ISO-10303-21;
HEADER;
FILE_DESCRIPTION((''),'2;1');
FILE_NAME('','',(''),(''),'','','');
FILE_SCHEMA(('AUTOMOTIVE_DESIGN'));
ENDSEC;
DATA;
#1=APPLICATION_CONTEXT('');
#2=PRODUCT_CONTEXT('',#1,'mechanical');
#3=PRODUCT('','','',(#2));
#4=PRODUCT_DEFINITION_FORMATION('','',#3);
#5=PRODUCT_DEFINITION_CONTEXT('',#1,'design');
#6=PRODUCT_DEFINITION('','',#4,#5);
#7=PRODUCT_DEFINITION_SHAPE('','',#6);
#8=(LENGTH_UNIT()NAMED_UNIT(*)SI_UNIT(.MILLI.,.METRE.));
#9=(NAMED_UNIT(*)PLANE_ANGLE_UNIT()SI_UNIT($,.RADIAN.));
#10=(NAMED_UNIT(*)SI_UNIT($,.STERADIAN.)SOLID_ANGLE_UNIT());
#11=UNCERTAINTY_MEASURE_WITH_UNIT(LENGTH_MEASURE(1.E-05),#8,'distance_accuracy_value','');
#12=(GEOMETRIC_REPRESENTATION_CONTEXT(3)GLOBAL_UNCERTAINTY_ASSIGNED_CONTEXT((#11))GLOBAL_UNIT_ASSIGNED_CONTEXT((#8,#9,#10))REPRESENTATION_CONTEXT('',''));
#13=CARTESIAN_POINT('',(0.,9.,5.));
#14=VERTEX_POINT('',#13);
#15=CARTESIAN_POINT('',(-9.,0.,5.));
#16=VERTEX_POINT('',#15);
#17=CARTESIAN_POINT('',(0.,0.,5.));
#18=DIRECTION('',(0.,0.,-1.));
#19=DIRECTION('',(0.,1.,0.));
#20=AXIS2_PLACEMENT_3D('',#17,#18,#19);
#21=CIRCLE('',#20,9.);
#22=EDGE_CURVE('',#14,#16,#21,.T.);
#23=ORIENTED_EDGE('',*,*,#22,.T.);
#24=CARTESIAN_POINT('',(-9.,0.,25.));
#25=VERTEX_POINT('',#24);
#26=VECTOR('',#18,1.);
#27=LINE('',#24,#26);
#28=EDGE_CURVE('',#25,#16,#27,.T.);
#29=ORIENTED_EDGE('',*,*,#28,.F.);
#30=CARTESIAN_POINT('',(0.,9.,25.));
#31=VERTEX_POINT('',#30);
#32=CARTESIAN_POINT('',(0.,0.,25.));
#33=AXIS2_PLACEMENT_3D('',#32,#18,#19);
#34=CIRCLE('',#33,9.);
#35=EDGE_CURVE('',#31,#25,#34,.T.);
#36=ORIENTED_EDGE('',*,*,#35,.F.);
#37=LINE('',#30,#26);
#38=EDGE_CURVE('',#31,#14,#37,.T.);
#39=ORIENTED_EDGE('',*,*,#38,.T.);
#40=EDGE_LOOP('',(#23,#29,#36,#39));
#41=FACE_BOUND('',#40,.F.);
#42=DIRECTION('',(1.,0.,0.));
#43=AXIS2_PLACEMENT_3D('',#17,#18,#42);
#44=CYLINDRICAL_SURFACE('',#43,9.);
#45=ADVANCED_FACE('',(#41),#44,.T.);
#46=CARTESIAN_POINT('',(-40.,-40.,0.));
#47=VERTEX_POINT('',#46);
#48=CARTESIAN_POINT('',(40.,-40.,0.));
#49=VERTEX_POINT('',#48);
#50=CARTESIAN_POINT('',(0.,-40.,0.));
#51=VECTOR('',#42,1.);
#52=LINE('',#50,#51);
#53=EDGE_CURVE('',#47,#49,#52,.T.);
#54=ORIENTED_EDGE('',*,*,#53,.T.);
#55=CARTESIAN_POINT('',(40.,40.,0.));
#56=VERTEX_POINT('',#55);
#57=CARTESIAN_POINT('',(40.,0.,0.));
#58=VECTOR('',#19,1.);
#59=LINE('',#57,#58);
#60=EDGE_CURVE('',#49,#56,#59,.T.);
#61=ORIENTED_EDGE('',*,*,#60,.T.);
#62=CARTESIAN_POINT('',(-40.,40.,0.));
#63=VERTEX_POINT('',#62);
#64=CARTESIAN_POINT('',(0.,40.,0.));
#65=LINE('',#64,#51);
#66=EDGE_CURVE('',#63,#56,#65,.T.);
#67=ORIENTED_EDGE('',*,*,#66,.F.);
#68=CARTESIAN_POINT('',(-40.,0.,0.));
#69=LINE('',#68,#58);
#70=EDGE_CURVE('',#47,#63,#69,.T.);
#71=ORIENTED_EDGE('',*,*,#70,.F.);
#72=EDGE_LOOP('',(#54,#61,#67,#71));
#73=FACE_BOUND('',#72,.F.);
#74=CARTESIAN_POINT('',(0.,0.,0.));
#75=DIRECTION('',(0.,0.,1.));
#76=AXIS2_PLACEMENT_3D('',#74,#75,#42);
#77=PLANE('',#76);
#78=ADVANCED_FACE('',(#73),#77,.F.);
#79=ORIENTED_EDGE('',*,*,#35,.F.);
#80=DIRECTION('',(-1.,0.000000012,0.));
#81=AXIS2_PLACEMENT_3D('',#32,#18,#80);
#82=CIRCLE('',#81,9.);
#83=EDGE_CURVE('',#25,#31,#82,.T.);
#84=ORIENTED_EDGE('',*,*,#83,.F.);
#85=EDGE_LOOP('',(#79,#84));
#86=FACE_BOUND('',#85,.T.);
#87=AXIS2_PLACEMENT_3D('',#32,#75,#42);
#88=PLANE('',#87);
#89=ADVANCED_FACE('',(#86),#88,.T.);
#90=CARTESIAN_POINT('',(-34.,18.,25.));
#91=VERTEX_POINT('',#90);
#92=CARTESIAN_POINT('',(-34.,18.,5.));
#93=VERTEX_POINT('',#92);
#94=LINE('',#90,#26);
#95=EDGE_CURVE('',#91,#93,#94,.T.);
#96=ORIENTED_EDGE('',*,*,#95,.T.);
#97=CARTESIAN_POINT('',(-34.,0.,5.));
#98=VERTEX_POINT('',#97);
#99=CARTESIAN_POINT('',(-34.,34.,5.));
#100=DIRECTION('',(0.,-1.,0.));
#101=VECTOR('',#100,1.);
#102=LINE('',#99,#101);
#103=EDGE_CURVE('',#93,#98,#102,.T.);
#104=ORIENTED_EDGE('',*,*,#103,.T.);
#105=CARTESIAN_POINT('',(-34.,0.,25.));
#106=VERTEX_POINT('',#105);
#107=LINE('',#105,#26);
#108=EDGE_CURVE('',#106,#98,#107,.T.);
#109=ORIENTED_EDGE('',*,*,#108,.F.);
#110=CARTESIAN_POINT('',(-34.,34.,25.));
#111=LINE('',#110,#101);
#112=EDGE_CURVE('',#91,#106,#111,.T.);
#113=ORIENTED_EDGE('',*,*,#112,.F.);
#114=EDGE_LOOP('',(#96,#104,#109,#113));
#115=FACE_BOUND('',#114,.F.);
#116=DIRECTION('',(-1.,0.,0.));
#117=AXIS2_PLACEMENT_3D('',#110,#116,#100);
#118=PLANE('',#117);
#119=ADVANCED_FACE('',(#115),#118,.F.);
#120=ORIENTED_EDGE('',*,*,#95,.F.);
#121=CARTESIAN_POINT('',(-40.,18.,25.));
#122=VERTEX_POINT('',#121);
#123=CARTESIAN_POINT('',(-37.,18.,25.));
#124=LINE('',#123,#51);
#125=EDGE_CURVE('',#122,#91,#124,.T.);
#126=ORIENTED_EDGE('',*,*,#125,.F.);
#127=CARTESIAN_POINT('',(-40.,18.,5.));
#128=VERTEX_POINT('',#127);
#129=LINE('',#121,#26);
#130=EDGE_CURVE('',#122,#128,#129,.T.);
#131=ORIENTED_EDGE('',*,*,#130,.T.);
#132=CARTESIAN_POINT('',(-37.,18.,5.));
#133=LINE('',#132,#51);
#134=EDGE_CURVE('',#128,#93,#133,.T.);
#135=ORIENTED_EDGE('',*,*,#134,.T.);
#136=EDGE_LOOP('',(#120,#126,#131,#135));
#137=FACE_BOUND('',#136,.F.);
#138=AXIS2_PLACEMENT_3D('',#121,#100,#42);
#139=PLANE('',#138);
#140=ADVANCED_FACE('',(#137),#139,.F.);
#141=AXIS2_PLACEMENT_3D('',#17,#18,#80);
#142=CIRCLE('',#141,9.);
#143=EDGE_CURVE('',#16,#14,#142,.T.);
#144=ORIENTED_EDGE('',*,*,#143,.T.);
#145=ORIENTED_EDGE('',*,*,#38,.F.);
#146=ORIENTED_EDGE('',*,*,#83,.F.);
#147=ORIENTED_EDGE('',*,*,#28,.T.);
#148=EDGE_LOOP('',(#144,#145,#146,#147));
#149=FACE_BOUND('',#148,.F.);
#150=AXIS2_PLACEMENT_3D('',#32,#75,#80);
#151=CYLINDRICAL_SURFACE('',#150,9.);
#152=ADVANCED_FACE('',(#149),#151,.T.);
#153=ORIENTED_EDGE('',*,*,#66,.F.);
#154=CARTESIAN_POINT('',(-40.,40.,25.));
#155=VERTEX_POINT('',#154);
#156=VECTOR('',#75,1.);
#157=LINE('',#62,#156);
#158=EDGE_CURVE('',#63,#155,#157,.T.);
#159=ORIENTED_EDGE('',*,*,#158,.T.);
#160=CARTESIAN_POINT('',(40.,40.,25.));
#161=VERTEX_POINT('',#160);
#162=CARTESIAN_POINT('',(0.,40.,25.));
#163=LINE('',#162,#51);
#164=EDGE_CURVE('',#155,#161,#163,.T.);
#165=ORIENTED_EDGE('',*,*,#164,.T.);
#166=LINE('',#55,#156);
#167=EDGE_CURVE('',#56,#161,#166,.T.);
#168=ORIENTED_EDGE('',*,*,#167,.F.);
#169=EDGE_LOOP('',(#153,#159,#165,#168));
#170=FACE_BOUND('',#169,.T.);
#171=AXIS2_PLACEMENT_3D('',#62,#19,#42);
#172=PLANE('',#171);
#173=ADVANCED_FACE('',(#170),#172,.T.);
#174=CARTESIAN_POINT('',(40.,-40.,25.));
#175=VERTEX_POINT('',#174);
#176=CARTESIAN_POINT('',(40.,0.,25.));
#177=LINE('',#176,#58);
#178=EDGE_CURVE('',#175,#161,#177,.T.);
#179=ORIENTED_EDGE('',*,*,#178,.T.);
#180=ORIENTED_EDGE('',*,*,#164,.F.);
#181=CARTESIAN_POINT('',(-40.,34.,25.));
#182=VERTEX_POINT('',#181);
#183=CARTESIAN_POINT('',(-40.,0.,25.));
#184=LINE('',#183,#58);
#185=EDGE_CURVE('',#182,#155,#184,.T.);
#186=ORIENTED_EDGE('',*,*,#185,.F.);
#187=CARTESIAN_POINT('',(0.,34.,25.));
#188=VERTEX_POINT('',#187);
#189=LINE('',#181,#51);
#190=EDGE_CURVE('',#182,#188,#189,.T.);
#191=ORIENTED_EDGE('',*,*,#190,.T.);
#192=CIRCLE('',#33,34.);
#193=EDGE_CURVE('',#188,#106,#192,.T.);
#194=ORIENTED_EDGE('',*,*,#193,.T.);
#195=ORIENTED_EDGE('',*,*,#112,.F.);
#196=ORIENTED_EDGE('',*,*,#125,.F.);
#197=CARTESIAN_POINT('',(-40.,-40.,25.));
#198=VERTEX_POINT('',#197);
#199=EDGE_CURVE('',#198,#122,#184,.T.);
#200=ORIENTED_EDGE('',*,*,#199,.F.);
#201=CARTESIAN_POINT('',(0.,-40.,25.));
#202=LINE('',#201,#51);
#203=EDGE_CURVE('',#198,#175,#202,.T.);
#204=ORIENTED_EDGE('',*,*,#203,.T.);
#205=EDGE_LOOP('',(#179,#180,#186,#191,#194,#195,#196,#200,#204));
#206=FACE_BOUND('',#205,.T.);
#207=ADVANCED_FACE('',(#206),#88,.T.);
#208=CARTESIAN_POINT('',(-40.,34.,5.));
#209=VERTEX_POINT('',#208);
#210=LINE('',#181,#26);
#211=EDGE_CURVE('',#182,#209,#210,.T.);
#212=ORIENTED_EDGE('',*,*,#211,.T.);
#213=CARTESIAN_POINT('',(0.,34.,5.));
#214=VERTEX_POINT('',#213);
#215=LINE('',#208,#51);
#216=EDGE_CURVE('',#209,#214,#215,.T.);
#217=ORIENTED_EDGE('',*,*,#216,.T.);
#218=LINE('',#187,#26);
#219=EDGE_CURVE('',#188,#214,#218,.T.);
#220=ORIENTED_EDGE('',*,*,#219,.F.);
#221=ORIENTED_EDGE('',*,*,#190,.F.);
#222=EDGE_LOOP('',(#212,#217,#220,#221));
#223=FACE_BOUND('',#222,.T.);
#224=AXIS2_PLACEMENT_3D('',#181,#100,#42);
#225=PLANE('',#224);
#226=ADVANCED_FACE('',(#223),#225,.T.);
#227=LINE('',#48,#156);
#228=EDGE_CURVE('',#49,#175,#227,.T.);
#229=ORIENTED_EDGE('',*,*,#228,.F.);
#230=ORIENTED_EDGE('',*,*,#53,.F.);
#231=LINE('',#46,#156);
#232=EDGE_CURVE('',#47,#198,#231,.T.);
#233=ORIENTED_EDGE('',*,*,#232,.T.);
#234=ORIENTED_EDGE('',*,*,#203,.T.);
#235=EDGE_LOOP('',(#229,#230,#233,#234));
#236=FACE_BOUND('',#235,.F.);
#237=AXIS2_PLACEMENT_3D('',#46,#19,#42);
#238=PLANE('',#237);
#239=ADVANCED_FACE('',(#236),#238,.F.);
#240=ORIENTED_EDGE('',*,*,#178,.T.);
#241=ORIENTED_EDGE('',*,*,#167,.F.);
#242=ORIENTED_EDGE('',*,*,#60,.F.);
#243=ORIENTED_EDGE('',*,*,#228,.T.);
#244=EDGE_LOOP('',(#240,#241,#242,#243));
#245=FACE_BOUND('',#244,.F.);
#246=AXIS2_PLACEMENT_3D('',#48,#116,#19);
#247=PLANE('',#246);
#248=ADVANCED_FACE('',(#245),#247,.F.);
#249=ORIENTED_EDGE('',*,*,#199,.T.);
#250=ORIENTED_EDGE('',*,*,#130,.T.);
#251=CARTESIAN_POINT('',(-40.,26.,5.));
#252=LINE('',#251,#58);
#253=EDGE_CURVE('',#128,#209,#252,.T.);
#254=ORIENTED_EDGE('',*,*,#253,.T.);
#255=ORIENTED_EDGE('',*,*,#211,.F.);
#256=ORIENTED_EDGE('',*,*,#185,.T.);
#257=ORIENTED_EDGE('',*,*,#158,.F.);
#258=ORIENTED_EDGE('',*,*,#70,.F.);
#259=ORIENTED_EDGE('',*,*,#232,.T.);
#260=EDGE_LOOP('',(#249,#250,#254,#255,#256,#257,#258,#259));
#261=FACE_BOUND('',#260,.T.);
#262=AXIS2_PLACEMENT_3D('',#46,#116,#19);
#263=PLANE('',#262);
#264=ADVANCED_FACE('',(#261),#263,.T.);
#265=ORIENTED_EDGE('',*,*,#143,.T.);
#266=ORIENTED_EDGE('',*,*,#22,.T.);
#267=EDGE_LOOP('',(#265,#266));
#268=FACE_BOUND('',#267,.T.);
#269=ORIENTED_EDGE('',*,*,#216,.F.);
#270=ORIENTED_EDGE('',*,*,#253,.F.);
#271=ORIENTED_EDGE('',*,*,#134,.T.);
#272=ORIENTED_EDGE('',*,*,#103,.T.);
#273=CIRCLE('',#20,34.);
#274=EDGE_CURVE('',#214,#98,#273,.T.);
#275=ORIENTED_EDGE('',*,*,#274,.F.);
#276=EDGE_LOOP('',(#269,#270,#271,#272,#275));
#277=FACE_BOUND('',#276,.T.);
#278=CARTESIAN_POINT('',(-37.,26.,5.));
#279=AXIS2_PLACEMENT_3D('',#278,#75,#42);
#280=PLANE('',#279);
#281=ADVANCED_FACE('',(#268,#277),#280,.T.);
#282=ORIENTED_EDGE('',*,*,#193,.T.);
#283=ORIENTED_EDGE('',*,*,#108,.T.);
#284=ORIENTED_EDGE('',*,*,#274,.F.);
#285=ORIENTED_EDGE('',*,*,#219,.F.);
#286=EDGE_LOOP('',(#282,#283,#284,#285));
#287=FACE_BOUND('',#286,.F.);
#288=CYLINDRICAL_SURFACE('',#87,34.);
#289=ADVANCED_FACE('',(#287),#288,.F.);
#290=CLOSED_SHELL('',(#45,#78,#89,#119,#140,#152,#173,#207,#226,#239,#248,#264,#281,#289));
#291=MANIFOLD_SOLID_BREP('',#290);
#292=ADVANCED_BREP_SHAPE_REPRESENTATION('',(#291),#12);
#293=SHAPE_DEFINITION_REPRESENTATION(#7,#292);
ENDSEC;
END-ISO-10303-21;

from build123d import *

# Parameters (mm, degrees)
F0_W     = 80
F0_H     = 80
F1_DEPTH = 25
F2_R     = 34
F3_DEPTH = 20
F4_R     = 9
F5_DEPTH = 20
F7_DEPTH = 20
F8_W     = 6
F8_H     = 16
F9_DEPTH = 20


with BuildPart() as f1:
    # F0 (on Top) → F1 (new body)
    with BuildSketch(Plane.XY):
        Rectangle(F0_W, F0_H)
    extrude(amount=F1_DEPTH)

    # F2 (on face) → F3 (cut)
    with BuildSketch(Plane.XY.offset(25)):
        Circle(F2_R)
    extrude(amount=-F3_DEPTH, mode=Mode.SUBTRACT)

    # F4 (on face) → F5 (join)
    with BuildSketch(Plane.XY.offset(5)):
        Circle(F4_R)
    extrude(amount=F5_DEPTH)

    # F6 (on face) → F7 (cut, through all)
    with BuildSketch(Plane.XY.offset(25)):
        with BuildLine():
            Line((-34, 34), (-34, 0))
            Line((-34, 0), (-9, 0))
            ThreePointArc((-9, 0), (-6.363961, 6.363961), (0, 9))
            Line((0, 9), (0, 34))
            Line((0, 34), (-34, 34))
        make_face()
    extrude(amount=-F7_DEPTH, mode=Mode.SUBTRACT)

    # F8 (on face) → F9 (cut, through all)
    with BuildSketch(Plane.XY.offset(25)):
        with Locations((-37, 26)):
            Rectangle(F8_W, F8_H)
    extrude(amount=-F9_DEPTH, mode=Mode.SUBTRACT)


solid = f1.part
